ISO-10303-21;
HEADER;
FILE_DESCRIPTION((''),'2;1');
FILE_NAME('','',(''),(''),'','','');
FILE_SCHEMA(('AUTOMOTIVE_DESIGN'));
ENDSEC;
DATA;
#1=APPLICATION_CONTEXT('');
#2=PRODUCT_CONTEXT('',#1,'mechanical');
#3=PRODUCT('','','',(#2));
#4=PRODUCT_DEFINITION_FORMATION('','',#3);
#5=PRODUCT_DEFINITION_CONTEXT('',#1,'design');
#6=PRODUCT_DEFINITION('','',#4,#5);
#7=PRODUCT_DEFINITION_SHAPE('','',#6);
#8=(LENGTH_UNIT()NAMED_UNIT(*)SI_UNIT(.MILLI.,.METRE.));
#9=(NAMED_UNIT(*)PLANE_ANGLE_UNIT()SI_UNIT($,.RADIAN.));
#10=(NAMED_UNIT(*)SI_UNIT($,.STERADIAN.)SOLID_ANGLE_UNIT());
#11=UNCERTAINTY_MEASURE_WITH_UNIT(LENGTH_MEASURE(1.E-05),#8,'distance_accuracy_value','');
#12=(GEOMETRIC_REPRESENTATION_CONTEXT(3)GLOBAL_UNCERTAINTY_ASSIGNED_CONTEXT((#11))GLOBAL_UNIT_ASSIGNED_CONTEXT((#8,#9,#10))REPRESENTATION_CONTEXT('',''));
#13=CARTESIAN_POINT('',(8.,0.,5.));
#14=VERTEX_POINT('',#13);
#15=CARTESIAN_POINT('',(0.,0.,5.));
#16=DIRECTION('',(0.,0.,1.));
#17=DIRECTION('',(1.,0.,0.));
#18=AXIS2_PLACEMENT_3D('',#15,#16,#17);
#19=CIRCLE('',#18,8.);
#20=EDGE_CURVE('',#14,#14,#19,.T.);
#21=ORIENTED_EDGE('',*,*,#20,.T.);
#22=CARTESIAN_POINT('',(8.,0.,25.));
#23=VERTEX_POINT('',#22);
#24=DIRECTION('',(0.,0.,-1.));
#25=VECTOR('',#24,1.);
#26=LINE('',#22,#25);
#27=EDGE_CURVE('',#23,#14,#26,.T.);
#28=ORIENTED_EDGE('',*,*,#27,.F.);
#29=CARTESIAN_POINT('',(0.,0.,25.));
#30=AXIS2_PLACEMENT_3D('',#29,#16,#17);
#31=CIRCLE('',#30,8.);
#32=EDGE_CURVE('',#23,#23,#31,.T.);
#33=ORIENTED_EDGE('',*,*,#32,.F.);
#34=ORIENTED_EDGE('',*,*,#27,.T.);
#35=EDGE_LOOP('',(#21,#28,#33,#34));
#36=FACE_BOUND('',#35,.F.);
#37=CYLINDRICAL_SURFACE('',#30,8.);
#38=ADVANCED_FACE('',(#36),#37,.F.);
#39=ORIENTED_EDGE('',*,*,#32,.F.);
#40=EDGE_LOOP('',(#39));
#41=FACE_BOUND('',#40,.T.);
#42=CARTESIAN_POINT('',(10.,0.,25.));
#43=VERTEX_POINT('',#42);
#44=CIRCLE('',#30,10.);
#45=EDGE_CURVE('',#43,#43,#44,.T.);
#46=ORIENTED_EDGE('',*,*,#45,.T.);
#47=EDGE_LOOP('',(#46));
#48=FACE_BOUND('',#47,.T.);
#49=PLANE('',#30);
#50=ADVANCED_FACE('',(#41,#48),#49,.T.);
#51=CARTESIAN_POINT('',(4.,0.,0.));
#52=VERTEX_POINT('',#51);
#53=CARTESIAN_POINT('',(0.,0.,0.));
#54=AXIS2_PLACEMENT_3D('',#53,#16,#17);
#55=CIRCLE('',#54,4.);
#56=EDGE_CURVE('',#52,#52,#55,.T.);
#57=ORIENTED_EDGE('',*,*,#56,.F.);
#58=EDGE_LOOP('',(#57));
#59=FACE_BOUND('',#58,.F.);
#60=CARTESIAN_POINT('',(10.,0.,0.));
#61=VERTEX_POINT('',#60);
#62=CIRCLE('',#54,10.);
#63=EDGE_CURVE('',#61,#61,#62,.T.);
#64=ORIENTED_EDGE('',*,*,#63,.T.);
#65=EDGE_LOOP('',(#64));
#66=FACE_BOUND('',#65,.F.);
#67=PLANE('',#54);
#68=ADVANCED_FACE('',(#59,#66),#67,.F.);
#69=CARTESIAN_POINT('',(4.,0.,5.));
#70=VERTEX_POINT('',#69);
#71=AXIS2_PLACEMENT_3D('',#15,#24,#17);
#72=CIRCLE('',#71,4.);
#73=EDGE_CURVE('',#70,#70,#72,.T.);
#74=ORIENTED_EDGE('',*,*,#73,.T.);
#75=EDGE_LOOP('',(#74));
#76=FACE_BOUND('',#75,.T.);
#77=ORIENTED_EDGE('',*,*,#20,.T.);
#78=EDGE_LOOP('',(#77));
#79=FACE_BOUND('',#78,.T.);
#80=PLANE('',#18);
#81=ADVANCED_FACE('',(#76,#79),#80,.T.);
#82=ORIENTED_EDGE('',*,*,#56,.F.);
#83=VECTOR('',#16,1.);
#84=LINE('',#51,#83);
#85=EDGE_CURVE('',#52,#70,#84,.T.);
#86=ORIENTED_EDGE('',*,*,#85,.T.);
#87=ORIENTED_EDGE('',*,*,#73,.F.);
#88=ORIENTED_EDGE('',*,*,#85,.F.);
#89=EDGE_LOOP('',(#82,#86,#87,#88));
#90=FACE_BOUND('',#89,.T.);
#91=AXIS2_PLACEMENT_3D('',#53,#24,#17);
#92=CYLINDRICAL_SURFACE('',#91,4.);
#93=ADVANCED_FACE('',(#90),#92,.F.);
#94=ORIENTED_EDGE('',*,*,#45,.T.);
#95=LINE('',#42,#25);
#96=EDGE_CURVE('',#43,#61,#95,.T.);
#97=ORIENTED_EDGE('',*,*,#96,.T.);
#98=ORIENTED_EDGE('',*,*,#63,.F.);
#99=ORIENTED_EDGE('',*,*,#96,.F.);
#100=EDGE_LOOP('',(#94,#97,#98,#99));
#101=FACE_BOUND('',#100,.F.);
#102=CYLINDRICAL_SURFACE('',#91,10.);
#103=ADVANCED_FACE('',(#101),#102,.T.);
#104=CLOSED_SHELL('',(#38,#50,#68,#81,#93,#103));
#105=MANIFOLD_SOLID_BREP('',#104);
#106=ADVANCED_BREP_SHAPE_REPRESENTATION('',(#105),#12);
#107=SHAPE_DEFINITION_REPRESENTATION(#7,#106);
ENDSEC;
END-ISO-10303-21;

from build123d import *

# Parameters (mm, degrees)
F0_R     = 10
F0_R_2   = 4
F1_DEPTH = 25
F2_R     = 8
F3_DEPTH = 20
F4_DEPTH = 5


with BuildPart() as f1:
    # F0 (on Top) → F1 (new body)
    with BuildSketch(Plane.XY):
        Circle(F0_R)
        Circle(F0_R_2, mode=Mode.SUBTRACT)
    extrude(amount=F1_DEPTH)

    # F2 (on face) → F3 (cut)
    with BuildSketch(Plane.XY.offset(25)):
        Circle(F2_R)
    extrude(amount=-F3_DEPTH, mode=Mode.SUBTRACT)

    # F0 (on Top) → F4 (join)
    with BuildSketch(Plane.XY):
        Circle(F0_R)
        Circle(F0_R_2, mode=Mode.SUBTRACT)
    extrude(amount=F4_DEPTH)


solid = f1.part
